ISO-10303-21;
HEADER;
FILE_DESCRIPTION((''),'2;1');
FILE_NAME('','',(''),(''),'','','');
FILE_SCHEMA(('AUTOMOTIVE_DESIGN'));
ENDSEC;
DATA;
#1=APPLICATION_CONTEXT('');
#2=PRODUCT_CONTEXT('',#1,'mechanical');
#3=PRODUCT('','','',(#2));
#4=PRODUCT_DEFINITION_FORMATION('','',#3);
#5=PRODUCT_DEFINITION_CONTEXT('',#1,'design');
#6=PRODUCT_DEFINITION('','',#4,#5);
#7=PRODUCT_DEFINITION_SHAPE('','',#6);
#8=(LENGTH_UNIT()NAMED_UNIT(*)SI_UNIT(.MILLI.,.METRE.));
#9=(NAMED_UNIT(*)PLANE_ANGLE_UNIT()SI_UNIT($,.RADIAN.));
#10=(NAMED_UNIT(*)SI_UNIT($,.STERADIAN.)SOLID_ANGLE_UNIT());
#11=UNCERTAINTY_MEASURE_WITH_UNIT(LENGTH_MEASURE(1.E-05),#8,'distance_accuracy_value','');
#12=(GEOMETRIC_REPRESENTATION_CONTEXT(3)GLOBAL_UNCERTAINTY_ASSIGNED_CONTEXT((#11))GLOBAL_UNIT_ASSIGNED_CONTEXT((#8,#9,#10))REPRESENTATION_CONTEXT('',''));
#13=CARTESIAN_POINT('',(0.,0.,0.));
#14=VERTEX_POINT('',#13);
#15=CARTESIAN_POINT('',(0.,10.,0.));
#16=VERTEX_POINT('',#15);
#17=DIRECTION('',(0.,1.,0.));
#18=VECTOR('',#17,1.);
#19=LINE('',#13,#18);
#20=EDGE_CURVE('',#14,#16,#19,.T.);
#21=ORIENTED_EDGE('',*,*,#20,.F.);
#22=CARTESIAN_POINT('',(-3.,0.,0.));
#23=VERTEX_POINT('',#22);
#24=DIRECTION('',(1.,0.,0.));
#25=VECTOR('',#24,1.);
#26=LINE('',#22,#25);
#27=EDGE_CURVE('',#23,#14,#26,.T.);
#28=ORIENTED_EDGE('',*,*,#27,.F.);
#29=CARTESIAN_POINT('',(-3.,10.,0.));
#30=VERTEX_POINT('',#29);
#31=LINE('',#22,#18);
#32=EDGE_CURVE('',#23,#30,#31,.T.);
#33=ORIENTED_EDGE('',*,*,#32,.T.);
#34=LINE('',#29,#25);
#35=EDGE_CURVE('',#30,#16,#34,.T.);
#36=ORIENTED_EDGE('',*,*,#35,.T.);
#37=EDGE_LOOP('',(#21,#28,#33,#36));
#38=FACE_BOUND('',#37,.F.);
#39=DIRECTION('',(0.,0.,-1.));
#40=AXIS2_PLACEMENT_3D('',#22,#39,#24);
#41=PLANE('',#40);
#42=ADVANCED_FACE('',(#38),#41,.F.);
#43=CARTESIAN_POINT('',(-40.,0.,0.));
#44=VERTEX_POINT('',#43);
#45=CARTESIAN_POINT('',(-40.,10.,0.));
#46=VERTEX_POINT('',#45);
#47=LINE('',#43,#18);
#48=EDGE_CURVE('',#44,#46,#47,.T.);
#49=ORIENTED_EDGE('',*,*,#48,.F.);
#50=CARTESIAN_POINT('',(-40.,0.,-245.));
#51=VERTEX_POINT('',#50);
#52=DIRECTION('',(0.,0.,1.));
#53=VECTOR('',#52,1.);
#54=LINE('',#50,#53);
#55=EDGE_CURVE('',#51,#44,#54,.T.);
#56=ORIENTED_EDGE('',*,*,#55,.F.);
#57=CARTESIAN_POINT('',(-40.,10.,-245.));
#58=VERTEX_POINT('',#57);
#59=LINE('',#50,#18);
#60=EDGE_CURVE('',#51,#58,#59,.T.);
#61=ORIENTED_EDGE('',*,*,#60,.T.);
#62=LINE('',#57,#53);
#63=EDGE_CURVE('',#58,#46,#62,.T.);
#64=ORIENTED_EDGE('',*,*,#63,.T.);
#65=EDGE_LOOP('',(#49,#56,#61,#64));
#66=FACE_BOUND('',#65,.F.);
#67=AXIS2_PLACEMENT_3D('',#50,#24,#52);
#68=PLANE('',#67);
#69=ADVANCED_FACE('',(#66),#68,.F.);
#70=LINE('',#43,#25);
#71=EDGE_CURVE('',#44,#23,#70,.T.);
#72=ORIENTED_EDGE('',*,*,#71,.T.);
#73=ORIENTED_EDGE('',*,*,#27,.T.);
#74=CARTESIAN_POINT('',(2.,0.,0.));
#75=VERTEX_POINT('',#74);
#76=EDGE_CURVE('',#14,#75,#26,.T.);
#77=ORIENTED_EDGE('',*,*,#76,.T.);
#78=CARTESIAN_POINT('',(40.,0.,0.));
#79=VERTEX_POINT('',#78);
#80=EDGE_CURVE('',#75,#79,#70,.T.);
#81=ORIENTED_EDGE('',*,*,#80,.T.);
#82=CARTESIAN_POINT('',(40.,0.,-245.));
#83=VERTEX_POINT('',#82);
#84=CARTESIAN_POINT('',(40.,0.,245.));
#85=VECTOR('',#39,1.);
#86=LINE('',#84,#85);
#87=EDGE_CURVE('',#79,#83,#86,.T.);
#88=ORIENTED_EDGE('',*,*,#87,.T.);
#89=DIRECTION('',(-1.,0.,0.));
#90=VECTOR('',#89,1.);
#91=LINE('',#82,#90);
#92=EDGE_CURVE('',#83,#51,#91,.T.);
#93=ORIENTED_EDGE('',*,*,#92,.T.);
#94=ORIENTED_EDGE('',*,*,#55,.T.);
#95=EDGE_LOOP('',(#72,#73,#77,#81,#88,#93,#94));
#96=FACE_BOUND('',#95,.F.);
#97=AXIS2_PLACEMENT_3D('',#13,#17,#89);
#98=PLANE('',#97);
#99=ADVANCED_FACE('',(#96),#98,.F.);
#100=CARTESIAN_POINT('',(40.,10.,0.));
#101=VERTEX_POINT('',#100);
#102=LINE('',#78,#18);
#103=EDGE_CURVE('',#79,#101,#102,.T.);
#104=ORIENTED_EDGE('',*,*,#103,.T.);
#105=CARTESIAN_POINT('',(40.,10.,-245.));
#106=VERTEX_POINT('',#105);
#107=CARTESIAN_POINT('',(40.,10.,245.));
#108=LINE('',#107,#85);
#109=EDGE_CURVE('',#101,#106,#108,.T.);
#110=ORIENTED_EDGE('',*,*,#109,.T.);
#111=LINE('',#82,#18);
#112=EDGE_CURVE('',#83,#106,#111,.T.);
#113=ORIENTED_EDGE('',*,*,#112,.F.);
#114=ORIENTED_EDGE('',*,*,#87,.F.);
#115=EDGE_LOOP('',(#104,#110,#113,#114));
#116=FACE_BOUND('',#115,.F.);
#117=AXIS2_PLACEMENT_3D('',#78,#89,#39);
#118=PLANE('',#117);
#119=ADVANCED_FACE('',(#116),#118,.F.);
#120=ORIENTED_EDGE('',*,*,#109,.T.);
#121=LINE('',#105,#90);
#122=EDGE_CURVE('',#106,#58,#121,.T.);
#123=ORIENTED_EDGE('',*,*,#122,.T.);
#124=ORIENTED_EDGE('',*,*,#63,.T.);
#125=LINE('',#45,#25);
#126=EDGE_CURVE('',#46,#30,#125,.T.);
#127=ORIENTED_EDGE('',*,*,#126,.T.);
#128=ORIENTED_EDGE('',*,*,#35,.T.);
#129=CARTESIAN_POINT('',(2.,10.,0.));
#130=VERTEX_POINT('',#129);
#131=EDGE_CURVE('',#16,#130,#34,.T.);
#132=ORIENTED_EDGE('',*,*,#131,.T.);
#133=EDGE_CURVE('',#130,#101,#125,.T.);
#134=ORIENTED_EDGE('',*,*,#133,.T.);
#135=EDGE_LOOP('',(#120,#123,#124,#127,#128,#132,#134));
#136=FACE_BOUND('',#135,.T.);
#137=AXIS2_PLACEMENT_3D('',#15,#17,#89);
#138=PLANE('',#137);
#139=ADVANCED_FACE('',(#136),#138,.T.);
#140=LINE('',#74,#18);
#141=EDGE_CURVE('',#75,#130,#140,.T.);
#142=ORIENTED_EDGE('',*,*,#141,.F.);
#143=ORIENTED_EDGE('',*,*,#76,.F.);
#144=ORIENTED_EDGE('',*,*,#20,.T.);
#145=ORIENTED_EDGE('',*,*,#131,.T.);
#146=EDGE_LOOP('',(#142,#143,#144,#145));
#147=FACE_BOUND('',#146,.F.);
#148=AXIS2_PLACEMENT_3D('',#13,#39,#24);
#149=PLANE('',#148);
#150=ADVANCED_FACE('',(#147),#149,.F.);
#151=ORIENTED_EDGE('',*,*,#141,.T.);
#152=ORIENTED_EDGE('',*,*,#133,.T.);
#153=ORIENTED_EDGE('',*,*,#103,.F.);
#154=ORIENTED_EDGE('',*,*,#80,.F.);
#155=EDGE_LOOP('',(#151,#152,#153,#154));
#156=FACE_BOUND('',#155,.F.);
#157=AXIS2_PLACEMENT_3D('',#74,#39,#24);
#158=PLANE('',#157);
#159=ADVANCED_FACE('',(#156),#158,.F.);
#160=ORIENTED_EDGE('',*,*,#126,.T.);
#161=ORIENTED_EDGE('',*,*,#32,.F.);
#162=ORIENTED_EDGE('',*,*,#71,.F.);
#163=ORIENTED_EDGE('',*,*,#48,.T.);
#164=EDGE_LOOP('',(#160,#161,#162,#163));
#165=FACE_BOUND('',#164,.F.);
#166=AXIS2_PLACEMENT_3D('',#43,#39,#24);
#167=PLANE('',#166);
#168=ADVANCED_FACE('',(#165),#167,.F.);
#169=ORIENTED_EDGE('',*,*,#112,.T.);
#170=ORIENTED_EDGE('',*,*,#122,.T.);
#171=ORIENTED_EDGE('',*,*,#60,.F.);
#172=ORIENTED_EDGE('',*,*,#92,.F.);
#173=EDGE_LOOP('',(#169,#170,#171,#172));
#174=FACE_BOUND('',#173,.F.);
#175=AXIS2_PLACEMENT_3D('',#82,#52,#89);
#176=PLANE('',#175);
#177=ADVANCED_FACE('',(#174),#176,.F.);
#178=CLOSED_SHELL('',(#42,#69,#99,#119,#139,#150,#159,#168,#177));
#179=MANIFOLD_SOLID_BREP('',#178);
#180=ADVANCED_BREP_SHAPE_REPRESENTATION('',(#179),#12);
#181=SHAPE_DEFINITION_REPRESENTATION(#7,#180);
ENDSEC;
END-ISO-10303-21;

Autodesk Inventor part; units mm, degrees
ref_plane "YZ Plane" through (0, 0, 0) normal (1, 0, 0) x (0, 1, 0)
ref_plane "XZ Plane" through (0, 0, 0) normal (0, 1, 0) x (-1, 0, 0)
ref_plane "XY Plane" through (0, 0, 0) normal (0, 0, 1) x (1, 0, 0)
sketch "草图1" plane through (0, 0, 0) normal (0, 1, 0) x (-1, 0, 0)
  line L0 (40, 245) -> (-40, 245)
  line L1 (-40, 245) -> (-40, -245)
  line L2 (-40, -245) -> (40, -245)
  line L3 (40, -245) -> (40, 245)
  line L4 (0, 5.532) -> (0, -5.7915)
  line L5 (3, 0) -> (-2, 0)
  line L6 (40, 0) -> (-40, 0)
  point P0 (0, 0)
  point P1 (0, 0)
  point P2 (0, 0)
  point P3 (-2, 0)
  dimension "d0" = 80
  dimension "d1" = 490
extrude "拉伸1" add sketch "草图1" along normal blind 10 contours L3 L2 L1 L6 L5
properties part number "front_2"
